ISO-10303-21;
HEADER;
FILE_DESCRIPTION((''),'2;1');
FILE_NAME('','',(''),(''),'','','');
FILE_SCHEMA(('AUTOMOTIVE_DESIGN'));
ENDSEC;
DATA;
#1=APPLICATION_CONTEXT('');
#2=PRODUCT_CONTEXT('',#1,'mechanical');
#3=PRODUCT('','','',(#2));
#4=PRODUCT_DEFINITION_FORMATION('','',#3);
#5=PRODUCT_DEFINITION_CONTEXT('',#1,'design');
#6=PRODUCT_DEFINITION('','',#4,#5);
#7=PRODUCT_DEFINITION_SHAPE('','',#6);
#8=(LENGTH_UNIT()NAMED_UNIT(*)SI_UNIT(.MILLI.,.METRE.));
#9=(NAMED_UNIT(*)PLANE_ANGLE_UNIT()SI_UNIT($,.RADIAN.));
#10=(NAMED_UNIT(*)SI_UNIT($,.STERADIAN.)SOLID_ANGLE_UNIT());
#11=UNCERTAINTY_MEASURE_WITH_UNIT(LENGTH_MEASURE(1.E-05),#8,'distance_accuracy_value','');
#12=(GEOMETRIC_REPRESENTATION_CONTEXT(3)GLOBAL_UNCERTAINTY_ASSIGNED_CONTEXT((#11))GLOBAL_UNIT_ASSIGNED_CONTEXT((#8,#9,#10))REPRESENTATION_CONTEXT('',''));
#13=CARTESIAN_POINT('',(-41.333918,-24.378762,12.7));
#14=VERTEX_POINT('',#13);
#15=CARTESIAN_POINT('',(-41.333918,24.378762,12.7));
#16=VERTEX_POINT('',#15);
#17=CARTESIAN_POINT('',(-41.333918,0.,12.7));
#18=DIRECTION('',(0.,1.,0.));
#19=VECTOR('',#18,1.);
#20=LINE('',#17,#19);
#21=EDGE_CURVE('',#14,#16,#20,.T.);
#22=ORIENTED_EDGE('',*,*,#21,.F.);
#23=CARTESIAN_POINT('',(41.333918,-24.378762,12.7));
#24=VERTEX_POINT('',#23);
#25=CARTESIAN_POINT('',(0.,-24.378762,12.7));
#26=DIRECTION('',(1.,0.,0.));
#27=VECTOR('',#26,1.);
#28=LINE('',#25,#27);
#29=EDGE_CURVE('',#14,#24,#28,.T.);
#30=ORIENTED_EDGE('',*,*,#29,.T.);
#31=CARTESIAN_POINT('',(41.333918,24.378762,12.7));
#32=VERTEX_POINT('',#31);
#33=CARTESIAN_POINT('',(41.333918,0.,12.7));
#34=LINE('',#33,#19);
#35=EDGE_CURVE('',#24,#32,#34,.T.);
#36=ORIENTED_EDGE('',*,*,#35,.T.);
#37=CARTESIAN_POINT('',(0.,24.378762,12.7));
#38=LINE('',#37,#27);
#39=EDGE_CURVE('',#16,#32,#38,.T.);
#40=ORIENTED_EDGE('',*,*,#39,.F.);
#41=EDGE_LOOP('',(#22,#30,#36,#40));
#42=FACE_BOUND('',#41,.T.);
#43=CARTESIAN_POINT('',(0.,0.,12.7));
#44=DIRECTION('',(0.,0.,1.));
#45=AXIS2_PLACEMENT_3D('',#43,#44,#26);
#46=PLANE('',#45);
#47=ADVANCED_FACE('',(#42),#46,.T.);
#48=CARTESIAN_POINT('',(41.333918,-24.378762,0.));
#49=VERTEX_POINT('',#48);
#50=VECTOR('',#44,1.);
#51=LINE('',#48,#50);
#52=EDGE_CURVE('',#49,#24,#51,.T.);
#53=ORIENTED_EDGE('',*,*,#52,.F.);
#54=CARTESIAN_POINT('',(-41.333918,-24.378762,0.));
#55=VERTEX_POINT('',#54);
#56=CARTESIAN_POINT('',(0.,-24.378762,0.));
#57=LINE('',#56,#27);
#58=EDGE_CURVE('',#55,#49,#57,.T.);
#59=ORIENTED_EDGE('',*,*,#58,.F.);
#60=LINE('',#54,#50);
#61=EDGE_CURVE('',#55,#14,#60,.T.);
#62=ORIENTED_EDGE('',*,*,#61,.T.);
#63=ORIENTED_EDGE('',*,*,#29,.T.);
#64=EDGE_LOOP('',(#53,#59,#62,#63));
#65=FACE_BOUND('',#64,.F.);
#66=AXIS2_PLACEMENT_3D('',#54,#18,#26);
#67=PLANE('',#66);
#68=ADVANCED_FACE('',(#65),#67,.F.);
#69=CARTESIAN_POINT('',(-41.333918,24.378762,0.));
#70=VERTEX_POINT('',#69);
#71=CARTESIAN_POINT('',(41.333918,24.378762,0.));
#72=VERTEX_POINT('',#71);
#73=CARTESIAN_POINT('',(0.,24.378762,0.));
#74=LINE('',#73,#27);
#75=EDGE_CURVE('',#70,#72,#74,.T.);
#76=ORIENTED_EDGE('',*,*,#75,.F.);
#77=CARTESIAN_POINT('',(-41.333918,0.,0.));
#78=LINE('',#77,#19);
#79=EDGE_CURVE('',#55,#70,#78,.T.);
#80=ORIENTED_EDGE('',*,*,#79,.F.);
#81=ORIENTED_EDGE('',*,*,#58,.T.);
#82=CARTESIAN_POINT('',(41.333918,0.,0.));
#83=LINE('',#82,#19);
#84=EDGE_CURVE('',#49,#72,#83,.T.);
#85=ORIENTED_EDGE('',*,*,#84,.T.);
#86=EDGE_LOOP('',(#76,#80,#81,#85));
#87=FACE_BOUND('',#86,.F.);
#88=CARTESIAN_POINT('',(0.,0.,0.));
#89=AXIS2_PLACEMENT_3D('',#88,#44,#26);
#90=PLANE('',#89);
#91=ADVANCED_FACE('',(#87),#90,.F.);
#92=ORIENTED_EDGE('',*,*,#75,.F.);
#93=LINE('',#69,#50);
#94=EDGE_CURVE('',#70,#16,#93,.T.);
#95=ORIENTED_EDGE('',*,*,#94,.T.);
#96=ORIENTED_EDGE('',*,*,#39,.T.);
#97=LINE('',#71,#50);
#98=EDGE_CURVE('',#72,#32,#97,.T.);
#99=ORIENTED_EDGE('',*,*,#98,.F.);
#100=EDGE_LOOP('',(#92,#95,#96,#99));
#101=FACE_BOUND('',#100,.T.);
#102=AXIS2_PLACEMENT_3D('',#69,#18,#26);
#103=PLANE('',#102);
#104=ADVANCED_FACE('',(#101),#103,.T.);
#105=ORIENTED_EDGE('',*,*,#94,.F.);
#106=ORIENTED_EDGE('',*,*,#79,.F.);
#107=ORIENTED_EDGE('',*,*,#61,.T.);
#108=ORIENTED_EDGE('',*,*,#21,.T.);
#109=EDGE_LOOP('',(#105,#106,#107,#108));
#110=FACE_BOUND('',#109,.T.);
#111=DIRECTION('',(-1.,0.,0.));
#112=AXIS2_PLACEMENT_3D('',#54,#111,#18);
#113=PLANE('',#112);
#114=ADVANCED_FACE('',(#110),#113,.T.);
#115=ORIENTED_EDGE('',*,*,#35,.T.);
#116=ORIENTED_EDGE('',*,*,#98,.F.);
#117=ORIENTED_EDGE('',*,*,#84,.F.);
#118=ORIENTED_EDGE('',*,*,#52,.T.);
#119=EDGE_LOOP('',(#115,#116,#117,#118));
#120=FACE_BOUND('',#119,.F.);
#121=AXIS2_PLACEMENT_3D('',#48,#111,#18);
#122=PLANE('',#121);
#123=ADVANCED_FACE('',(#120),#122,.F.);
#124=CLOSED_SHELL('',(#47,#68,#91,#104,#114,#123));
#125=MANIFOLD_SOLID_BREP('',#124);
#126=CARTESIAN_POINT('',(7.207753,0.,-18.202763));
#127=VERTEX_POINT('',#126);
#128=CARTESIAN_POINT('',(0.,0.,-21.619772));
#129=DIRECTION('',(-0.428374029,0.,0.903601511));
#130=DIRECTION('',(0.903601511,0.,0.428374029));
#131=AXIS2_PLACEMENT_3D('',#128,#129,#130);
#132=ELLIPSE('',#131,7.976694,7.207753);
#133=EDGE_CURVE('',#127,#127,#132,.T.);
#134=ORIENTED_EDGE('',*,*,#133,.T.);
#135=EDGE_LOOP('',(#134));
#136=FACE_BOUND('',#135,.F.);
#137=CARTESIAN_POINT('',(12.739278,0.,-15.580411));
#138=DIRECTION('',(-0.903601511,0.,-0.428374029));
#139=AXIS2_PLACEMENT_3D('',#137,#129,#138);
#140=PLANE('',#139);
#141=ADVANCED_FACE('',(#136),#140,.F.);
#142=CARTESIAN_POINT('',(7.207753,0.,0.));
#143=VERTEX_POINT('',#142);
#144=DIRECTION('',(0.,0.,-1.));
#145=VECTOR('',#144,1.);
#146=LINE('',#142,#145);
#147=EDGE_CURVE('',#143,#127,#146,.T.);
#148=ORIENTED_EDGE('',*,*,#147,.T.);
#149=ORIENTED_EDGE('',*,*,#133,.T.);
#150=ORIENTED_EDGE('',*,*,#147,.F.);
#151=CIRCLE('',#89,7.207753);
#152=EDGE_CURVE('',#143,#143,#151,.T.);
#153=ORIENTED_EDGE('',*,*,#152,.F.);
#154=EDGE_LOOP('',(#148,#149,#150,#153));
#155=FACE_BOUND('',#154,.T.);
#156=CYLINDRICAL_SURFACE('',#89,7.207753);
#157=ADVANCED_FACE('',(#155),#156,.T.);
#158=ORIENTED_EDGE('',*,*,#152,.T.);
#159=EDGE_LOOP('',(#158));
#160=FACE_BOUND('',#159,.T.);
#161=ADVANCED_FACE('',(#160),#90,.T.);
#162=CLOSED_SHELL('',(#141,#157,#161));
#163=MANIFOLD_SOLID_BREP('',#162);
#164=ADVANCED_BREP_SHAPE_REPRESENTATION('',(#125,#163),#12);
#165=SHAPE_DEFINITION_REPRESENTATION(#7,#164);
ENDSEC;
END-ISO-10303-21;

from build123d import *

# Parameters (mm, degrees)
F0_W     = 82.667836
F0_H     = 48.757524
F0_R     = 7.207753
F1_DEPTH = 12.7
F2_DEPTH = 25.4
F4_DEPTH = 12.7


with BuildPart() as f1:
    # F0 (on Top) → F1 (new body)
    with BuildSketch(Plane.XY):
        Rectangle(F0_W, F0_H)
        Circle(F0_R, mode=Mode.SUBTRACT)
        Circle(F0_R)
    extrude(amount=F1_DEPTH)


with BuildPart() as f2:
    # F0 (on Top) → F2 (new body)
    with BuildSketch(Plane.XY):
        Circle(F0_R)
    extrude(amount=-F2_DEPTH)

    # F3 (on Front) → F4 (cut, symmetric)
    with BuildSketch(Plane.XZ):
        Polygon((12.739278, -15.580411), (-12.006084, -27.311545), (12.739278, -27.311545), align=None)
    extrude(amount=F4_DEPTH, both=True, mode=Mode.SUBTRACT)


solid = Compound([f1.part, f2.part])
